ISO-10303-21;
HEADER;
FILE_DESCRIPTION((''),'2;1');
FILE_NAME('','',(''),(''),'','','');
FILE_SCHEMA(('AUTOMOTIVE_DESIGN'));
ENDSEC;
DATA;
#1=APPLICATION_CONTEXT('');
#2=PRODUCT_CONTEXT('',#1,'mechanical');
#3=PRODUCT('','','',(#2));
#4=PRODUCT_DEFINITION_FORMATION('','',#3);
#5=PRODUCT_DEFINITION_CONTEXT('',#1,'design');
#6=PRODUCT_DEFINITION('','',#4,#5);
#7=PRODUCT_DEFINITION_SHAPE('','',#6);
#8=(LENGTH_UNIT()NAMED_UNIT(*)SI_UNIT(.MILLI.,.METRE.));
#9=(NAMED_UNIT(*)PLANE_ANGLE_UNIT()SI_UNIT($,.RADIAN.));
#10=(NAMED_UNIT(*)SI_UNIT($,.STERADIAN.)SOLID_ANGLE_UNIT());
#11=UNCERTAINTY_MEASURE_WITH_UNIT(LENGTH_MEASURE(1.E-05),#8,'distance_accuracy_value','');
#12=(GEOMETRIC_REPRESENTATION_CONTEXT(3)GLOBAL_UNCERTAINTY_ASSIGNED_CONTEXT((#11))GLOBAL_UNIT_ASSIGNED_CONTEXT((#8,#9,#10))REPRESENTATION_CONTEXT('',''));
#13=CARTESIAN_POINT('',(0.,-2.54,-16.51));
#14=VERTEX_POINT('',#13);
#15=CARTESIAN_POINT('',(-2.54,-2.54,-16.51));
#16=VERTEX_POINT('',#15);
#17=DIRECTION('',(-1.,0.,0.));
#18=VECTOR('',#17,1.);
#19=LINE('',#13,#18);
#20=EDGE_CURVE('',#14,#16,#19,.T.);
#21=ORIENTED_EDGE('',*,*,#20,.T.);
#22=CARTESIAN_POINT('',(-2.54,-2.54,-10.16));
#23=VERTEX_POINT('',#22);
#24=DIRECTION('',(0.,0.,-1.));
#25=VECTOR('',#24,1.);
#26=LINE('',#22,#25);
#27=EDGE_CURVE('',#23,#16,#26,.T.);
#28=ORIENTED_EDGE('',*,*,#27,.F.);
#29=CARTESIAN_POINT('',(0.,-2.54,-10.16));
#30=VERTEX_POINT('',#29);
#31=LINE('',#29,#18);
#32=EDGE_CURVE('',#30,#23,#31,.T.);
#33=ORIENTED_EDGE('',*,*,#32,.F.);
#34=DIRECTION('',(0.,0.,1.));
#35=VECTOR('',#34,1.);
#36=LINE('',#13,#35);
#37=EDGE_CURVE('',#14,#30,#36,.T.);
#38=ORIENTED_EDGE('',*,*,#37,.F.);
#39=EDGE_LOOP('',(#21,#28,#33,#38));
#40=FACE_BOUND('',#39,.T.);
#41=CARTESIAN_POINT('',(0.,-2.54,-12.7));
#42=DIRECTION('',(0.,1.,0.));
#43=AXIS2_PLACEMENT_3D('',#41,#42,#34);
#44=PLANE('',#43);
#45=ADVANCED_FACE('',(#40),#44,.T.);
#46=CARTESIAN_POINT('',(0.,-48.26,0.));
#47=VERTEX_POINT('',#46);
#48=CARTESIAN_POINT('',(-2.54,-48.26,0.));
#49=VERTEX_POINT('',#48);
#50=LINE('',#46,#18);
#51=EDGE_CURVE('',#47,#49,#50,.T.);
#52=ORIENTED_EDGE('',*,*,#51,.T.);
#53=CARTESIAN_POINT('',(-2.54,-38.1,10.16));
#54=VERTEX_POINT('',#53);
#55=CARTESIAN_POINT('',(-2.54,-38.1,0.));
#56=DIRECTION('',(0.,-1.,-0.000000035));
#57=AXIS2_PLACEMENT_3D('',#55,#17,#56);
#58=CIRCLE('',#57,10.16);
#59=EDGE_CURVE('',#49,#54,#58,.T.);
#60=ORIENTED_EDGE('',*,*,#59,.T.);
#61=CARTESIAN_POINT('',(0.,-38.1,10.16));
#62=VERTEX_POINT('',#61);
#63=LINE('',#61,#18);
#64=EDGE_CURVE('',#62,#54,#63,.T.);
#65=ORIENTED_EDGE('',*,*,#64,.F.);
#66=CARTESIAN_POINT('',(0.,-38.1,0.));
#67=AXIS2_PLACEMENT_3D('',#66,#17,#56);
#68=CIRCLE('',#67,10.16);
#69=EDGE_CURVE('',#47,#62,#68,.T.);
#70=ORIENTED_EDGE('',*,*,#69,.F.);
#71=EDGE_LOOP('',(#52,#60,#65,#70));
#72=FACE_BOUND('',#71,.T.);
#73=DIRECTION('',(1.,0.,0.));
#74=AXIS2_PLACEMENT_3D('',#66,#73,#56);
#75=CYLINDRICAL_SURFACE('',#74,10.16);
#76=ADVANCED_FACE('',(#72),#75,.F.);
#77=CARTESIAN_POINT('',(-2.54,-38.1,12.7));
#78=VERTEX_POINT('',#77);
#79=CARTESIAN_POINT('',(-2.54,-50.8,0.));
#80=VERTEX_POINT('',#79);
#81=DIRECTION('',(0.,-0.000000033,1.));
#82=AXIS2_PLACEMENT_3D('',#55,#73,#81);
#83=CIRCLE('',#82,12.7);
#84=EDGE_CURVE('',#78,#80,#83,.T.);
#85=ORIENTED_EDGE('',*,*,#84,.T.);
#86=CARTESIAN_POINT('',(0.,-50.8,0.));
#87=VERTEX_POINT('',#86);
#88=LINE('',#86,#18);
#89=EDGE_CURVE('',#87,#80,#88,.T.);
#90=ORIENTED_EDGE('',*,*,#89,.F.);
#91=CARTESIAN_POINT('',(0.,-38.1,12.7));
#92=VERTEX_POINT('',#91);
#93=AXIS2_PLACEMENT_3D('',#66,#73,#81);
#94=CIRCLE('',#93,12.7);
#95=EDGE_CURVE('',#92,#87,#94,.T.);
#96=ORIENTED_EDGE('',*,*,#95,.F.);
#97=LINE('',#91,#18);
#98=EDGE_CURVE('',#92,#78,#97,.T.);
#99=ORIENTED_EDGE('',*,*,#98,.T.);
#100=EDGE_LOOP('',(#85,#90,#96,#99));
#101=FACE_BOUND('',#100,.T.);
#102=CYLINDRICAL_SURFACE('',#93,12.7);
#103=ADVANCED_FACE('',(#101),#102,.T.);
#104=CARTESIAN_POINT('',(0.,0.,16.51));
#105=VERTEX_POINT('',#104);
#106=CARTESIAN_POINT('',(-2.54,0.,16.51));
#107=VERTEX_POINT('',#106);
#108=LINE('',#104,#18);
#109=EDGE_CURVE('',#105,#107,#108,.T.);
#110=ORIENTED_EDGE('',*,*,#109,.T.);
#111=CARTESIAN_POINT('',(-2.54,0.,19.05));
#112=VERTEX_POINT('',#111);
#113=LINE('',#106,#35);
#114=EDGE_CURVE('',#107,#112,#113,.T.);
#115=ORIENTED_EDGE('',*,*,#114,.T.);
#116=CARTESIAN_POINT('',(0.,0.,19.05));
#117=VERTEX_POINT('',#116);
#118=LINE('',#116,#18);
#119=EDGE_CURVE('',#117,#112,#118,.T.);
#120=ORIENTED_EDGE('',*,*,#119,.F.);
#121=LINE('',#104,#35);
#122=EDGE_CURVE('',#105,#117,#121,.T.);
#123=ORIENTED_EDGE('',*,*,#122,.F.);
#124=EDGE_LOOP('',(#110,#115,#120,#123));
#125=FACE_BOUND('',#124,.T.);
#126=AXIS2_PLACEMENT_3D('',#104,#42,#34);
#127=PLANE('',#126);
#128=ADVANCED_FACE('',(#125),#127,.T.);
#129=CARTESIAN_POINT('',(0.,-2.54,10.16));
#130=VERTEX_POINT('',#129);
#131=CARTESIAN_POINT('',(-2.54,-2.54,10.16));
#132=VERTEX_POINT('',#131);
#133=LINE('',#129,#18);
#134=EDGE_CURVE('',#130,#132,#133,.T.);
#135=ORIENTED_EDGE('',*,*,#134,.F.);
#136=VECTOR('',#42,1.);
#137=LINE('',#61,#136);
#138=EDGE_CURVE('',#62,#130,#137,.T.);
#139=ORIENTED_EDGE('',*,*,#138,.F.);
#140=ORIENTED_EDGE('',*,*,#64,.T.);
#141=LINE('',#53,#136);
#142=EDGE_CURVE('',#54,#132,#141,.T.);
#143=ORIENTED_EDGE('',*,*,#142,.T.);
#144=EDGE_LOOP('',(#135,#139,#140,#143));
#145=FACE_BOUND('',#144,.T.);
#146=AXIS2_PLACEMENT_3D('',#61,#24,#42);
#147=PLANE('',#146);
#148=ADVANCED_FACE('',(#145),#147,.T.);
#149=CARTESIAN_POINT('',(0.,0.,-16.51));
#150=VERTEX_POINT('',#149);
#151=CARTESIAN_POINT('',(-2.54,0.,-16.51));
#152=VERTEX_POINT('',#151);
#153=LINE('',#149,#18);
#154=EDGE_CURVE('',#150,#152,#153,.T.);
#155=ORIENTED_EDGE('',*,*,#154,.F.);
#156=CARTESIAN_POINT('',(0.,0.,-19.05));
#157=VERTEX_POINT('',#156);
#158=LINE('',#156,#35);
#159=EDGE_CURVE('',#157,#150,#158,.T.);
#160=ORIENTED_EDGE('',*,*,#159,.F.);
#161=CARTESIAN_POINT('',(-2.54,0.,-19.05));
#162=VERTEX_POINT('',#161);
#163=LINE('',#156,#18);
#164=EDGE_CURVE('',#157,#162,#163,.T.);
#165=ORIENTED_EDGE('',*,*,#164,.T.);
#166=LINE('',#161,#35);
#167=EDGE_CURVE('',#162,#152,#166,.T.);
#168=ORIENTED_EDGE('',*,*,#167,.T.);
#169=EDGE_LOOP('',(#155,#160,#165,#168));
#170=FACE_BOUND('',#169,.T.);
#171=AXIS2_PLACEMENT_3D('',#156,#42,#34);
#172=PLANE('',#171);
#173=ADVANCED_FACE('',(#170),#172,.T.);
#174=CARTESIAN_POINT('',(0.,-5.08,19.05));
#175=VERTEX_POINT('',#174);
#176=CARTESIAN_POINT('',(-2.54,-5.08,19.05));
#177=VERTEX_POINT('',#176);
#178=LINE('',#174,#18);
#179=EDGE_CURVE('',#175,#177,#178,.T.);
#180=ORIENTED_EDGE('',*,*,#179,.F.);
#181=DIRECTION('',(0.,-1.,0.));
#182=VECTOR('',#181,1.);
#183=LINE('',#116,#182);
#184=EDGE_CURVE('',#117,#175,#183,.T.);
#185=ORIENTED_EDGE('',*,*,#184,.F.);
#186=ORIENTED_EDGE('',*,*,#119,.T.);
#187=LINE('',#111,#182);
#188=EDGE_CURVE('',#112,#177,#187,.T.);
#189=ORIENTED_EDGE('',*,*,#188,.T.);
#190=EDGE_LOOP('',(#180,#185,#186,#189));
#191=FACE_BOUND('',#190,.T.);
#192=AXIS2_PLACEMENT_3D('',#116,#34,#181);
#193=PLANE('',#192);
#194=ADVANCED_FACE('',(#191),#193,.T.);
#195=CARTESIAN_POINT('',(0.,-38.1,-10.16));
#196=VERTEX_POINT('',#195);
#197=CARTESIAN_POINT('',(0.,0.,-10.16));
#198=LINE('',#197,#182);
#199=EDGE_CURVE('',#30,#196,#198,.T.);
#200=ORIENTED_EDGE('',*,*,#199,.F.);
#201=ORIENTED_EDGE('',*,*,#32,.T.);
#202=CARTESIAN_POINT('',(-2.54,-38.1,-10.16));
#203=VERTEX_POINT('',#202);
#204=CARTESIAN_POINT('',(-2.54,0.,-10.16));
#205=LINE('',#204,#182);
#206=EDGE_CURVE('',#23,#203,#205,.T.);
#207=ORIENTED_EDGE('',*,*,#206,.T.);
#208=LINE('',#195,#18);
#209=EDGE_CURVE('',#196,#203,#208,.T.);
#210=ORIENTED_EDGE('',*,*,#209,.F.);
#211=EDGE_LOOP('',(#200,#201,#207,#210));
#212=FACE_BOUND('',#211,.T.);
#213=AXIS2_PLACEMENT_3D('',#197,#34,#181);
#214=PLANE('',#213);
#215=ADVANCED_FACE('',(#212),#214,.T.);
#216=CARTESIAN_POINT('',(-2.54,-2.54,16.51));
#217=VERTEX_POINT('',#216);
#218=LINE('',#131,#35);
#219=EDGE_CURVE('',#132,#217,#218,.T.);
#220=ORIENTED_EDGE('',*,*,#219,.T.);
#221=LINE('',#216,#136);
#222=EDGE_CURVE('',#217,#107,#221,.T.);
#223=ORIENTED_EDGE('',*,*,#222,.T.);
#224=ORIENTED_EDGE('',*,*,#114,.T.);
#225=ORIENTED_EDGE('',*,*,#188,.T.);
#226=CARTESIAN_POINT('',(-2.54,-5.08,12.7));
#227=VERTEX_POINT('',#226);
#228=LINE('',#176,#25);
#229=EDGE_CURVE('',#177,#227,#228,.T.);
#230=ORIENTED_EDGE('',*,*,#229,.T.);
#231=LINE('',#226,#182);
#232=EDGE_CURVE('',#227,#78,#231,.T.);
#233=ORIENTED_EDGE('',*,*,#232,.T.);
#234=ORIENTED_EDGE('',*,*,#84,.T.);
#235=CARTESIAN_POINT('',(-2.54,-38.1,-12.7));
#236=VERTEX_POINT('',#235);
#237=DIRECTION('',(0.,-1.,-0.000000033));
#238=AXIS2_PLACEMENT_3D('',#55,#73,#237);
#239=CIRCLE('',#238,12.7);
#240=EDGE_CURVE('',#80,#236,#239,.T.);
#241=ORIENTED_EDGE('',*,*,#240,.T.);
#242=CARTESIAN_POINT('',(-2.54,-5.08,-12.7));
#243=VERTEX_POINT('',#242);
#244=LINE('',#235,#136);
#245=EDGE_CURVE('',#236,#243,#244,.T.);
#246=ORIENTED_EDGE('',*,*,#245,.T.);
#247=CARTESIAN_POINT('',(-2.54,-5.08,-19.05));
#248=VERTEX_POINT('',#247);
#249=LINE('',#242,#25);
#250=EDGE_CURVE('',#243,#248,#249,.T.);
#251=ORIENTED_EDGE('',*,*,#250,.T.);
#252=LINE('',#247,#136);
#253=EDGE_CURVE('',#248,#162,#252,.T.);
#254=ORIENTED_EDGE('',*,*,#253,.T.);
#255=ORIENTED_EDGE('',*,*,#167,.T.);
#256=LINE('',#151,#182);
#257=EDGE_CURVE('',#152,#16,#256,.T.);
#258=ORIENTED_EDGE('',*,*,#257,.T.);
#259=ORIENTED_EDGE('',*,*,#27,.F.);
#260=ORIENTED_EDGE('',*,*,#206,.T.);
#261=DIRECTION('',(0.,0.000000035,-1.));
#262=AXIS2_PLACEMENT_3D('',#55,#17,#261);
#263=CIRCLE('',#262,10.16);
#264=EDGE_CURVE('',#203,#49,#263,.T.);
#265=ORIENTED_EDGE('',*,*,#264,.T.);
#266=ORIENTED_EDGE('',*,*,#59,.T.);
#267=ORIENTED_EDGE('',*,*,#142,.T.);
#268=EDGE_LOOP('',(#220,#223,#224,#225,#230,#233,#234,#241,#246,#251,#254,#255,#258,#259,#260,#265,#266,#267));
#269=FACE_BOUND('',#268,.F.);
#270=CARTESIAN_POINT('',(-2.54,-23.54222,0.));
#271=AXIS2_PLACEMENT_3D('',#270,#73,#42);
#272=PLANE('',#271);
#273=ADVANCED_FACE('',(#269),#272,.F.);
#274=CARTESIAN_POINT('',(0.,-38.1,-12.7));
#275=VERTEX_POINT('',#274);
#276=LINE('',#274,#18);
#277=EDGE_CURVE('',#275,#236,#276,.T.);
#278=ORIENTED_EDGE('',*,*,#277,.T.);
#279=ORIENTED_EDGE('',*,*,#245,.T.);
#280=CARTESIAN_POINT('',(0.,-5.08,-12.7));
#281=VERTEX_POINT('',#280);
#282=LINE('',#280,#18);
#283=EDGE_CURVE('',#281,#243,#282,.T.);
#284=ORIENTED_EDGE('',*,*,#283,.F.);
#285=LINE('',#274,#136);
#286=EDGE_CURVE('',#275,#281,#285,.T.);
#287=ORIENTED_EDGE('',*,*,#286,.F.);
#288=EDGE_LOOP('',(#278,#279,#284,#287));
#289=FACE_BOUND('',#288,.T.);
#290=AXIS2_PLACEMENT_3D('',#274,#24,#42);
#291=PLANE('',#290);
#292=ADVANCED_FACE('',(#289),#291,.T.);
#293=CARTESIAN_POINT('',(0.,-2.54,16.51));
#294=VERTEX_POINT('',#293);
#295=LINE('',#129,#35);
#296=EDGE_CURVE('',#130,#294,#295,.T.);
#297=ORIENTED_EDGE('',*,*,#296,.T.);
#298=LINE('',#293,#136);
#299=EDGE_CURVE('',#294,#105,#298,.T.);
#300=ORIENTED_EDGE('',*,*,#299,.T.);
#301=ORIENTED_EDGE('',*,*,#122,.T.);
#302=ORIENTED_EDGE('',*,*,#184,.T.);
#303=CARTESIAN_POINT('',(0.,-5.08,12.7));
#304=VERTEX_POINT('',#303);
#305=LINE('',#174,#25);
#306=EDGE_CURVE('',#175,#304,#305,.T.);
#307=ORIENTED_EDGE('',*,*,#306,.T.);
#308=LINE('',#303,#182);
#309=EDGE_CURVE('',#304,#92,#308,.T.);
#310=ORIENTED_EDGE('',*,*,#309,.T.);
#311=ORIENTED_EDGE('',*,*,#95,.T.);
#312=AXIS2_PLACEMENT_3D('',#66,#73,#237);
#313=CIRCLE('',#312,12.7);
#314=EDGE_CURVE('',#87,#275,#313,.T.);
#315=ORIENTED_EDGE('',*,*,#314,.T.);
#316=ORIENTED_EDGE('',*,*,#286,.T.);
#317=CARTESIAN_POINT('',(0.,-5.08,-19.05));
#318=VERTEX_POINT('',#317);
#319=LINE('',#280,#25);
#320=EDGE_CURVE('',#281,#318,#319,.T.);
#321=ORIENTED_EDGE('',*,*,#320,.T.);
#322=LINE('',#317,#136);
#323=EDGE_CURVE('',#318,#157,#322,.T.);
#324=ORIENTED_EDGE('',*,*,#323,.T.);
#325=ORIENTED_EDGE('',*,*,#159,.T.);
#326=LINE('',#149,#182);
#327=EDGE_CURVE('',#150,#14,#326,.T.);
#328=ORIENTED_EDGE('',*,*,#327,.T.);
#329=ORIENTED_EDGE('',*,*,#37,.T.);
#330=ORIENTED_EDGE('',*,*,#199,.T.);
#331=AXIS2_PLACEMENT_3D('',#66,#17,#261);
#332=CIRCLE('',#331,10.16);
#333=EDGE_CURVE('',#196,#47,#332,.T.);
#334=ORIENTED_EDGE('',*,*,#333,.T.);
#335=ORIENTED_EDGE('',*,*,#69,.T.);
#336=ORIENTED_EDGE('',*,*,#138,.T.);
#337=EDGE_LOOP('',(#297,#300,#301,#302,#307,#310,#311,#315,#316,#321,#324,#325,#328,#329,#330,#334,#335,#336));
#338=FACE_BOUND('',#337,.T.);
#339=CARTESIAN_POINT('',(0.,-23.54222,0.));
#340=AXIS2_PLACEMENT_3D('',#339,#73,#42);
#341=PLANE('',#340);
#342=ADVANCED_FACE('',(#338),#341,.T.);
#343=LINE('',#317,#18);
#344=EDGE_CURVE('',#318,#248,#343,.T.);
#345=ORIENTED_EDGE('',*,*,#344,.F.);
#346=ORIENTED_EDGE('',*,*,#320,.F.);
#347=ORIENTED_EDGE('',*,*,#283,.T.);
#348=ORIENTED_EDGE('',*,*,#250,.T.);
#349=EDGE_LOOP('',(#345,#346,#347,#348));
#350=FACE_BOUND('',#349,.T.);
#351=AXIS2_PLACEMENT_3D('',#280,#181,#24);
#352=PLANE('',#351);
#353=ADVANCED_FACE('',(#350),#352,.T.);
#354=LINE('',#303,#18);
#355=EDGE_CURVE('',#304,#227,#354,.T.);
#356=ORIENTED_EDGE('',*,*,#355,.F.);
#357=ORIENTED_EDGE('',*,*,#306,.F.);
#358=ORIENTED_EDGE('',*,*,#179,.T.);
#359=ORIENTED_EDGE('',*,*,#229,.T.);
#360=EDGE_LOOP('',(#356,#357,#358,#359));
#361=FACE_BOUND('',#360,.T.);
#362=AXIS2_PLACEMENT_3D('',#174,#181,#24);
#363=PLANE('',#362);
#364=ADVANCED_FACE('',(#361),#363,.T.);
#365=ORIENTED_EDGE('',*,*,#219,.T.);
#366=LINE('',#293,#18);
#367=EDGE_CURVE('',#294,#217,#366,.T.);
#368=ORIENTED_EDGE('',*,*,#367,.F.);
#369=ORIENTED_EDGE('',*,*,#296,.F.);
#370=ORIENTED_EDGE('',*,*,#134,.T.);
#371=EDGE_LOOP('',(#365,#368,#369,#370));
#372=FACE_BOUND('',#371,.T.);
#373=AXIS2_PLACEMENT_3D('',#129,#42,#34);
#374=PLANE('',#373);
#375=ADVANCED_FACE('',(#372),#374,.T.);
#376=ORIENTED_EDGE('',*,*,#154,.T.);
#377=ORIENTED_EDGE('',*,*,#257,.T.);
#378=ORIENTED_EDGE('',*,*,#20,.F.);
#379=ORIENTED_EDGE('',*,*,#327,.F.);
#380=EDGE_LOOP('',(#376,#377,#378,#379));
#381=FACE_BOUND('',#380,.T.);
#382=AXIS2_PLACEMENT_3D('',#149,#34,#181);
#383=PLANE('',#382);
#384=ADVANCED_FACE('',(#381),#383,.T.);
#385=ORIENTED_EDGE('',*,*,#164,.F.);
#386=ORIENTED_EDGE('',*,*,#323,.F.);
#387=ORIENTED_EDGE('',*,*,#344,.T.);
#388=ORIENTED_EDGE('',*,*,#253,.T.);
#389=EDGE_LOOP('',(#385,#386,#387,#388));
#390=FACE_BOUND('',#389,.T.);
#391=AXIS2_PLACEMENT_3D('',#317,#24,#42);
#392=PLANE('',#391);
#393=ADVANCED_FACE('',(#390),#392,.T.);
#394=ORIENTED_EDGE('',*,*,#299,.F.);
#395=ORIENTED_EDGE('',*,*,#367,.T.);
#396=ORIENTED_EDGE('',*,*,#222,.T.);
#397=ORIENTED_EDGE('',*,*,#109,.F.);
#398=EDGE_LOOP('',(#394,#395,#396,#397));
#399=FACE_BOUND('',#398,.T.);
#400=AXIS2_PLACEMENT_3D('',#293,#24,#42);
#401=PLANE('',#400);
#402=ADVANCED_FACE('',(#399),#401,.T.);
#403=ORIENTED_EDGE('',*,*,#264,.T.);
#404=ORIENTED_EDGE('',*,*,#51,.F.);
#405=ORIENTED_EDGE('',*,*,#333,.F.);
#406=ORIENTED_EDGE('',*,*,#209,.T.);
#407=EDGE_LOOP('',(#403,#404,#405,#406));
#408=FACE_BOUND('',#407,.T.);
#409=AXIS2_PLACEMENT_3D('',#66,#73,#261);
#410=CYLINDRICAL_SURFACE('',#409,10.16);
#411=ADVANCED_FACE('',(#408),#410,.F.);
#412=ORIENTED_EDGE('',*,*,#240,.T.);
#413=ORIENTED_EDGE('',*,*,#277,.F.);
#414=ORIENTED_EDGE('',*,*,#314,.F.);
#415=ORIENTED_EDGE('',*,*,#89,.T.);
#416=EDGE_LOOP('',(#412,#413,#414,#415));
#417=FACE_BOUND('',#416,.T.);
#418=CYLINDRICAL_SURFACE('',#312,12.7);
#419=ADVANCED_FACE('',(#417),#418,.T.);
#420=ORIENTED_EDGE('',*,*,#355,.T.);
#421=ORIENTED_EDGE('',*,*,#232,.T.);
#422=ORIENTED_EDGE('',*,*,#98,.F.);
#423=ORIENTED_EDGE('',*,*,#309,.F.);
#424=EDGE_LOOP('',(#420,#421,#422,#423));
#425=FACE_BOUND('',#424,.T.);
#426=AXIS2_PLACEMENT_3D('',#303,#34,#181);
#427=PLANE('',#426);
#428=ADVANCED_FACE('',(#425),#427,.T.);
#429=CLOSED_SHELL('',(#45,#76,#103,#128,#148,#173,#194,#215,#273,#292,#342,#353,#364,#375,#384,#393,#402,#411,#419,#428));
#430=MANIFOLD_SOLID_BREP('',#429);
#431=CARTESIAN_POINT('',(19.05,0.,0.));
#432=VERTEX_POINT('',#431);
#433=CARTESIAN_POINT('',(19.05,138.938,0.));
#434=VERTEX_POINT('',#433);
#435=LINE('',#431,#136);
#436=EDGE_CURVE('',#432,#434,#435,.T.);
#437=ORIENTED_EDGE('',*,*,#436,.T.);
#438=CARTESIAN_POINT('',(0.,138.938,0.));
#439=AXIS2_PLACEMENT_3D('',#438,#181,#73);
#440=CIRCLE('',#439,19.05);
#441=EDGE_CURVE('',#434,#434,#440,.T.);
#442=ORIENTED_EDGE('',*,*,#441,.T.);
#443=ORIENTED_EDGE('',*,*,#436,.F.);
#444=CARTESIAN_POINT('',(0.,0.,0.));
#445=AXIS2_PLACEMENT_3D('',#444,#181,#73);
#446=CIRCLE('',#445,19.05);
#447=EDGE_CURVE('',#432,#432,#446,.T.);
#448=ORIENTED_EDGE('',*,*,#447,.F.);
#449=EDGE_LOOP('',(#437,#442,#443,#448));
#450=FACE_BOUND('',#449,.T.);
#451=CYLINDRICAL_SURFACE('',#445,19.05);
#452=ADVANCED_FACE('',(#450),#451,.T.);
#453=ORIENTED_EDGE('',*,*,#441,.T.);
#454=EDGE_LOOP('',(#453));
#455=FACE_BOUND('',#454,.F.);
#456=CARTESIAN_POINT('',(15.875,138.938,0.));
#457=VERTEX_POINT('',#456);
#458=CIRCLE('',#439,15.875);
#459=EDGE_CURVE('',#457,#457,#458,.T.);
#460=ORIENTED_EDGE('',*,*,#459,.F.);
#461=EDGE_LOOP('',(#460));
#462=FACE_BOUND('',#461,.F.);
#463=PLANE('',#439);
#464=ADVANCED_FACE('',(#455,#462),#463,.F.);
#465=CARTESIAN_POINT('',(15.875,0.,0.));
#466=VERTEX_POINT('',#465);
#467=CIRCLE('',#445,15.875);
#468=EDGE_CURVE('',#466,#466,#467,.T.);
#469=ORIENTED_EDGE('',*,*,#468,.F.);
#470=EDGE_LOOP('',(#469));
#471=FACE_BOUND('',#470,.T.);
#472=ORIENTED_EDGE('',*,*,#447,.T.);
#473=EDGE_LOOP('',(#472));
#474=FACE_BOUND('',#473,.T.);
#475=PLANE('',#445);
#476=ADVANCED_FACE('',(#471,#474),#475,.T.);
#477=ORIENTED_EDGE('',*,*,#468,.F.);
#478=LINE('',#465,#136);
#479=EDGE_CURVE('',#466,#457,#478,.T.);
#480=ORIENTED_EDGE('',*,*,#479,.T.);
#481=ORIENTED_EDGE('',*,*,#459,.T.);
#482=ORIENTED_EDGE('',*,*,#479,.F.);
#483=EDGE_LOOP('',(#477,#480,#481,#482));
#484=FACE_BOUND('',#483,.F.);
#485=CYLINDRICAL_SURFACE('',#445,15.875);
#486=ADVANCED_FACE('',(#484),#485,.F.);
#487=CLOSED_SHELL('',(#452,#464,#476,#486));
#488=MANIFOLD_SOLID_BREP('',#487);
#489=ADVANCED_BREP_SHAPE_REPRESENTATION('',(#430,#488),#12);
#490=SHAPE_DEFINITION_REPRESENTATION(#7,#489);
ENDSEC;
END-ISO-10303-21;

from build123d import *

# Parameters (mm, degrees)
F0_R     = 19.05
F0_R_2   = 15.875
F1_DEPTH = 138.938
F3_DEPTH = 2.54
F4_W     = 2.54
F4_H     = 2.54
F5_DEPTH = 25.4


with BuildPart() as f1:
    # F0 (on Front) → F1 (new body)
    with BuildSketch(Plane.XZ):
        Circle(F0_R)
        Circle(F0_R_2, mode=Mode.SUBTRACT)
    extrude(amount=-F1_DEPTH)


with BuildPart() as f3:
    # F2 (on Right) → F3 (new body)
    with BuildSketch(Plane.YZ):
        with BuildLine():
            Line((0, 10.16), (0, 12.7))
            Line((0, 12.7), (-2.54, 12.7))
            Line((-2.54, 12.7), (-2.54, 16.51))
            Line((-2.54, 16.51), (0, 16.51))
            Line((0, 16.51), (0, 19.05))
            Line((0, 19.05), (-2.54, 19.05))
            Line((-2.54, 19.05), (-5.08, 19.05))
            Line((-5.08, 19.05), (-5.08, 12.7))
            Line((-5.08, 12.7), (-38.1, 12.7))
            ThreePointArc((-38.1, 12.7), (-47.080256, 8.980256), (-50.8, 0))
            ThreePointArc((-50.8, 0), (-47.080256, -8.980256), (-38.1, -12.7))
            Line((-38.1, -12.7), (-5.08, -12.7))
            Line((-5.08, -12.7), (-5.08, -19.05))
            Line((-5.08, -19.05), (-2.54, -19.05))
            Line((-2.54, -19.05), (0, -19.05))
            Line((0, -19.05), (0, -16.51))
            Line((0, -16.51), (-2.54, -16.51))
            Line((-2.54, -16.51), (-2.54, -12.7))
            Line((-2.54, -12.7), (0, -12.7))
            Line((0, -12.7), (0, -10.16))
            Line((0, -10.16), (-38.1, -10.16))
            ThreePointArc((-38.1, -10.16), (-45.284205, -7.184205), (-48.26, 0))
            ThreePointArc((-48.26, 0), (-45.284205, 7.184205), (-38.1, 10.16))
            Line((-38.1, 10.16), (0, 10.16))
        make_face()
    extrude(amount=-F3_DEPTH)

    # F4 (on face) → F5 (cut)
    with BuildSketch(Plane.YZ):
        with Locations((-1.27, 11.43)):
            Rectangle(F4_W, F4_H)
        with Locations((-1.27, -11.43)):
            Rectangle(F4_W, F4_H)
    extrude(amount=-F5_DEPTH, mode=Mode.SUBTRACT)


solid = Compound([f1.part, f3.part])
